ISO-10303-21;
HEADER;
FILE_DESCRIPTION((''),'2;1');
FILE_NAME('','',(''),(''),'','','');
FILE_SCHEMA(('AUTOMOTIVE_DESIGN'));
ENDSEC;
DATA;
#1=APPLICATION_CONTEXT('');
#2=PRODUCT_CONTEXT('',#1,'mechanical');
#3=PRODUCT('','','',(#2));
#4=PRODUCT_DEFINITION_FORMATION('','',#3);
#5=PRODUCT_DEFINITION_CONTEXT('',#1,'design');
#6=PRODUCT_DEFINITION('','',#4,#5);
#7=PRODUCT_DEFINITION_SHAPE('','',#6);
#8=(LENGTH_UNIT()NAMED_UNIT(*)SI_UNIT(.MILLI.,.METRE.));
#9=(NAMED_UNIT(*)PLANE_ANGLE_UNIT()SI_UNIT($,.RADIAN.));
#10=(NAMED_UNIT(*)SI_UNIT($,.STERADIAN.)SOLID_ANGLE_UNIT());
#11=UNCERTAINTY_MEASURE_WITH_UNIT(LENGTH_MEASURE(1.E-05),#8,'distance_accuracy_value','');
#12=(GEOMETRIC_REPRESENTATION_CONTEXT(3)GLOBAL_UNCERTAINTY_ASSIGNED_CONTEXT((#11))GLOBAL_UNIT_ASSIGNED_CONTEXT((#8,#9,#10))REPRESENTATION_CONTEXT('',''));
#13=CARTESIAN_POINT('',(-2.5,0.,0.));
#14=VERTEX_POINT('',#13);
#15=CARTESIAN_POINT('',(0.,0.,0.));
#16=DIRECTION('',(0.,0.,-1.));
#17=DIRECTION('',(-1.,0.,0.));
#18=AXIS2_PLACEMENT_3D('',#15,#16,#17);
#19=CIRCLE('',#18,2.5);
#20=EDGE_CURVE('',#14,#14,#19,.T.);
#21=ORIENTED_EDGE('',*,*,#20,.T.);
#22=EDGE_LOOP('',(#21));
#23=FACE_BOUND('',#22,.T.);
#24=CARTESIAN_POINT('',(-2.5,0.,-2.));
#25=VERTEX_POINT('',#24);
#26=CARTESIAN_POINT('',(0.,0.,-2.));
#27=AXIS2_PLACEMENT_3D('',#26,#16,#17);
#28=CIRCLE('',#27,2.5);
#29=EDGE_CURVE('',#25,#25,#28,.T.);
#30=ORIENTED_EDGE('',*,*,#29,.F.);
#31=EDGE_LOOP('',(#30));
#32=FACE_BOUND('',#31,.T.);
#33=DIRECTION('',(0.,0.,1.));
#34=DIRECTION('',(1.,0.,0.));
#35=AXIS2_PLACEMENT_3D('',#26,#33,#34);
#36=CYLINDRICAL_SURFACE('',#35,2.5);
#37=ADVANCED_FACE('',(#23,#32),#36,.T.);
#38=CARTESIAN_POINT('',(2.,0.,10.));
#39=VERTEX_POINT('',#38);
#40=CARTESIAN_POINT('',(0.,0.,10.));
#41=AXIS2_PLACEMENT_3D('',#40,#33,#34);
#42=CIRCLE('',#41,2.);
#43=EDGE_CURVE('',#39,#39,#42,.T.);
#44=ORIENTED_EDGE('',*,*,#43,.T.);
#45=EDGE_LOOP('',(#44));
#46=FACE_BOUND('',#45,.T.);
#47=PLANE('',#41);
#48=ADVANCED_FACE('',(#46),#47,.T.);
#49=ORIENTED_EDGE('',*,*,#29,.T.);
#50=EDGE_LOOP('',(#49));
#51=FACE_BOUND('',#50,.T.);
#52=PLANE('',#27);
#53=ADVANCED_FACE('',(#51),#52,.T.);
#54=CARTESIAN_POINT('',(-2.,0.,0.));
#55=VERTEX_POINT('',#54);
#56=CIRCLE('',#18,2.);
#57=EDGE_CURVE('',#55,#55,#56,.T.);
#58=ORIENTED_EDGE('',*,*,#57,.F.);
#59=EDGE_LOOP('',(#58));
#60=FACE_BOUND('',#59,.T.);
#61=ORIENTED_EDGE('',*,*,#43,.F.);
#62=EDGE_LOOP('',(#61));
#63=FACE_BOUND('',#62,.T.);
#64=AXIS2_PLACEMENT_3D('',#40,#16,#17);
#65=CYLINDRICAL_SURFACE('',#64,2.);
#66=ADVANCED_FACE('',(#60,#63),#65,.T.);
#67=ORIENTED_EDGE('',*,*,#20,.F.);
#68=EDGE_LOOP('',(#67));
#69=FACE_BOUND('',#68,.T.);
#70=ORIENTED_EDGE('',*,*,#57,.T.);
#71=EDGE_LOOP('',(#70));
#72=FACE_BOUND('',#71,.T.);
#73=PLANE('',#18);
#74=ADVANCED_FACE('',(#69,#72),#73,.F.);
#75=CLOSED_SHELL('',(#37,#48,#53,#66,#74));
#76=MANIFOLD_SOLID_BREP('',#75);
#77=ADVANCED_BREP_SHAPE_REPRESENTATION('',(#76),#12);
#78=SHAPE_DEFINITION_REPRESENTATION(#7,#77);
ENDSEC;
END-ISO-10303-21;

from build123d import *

# Parameters (mm, degrees)
IZIM1_R                     = 2
Y_KSEKLIK_EKSTR_ZYON1_DEPTH = 10
IZIM2_R                     = 2.5
Y_KSEKLIK_EKSTR_ZYON2_DEPTH = 2


with BuildPart() as part:
    # Çizim1 → Yükseklik-Ekstrüzyon1 (new body)
    with BuildSketch(Plane.XY):
        Circle(IZIM1_R)
    extrude(amount=Y_KSEKLIK_EKSTR_ZYON1_DEPTH)

    # Çizim2 → Yükseklik-Ekstrüzyon2 (add)
    with BuildSketch(Plane(origin=(0, 0, 0), x_dir=(-1, 0, 0), z_dir=(0, 0, -1))):
        Circle(IZIM2_R)
    extrude(amount=Y_KSEKLIK_EKSTR_ZYON2_DEPTH)


solid = part.part
